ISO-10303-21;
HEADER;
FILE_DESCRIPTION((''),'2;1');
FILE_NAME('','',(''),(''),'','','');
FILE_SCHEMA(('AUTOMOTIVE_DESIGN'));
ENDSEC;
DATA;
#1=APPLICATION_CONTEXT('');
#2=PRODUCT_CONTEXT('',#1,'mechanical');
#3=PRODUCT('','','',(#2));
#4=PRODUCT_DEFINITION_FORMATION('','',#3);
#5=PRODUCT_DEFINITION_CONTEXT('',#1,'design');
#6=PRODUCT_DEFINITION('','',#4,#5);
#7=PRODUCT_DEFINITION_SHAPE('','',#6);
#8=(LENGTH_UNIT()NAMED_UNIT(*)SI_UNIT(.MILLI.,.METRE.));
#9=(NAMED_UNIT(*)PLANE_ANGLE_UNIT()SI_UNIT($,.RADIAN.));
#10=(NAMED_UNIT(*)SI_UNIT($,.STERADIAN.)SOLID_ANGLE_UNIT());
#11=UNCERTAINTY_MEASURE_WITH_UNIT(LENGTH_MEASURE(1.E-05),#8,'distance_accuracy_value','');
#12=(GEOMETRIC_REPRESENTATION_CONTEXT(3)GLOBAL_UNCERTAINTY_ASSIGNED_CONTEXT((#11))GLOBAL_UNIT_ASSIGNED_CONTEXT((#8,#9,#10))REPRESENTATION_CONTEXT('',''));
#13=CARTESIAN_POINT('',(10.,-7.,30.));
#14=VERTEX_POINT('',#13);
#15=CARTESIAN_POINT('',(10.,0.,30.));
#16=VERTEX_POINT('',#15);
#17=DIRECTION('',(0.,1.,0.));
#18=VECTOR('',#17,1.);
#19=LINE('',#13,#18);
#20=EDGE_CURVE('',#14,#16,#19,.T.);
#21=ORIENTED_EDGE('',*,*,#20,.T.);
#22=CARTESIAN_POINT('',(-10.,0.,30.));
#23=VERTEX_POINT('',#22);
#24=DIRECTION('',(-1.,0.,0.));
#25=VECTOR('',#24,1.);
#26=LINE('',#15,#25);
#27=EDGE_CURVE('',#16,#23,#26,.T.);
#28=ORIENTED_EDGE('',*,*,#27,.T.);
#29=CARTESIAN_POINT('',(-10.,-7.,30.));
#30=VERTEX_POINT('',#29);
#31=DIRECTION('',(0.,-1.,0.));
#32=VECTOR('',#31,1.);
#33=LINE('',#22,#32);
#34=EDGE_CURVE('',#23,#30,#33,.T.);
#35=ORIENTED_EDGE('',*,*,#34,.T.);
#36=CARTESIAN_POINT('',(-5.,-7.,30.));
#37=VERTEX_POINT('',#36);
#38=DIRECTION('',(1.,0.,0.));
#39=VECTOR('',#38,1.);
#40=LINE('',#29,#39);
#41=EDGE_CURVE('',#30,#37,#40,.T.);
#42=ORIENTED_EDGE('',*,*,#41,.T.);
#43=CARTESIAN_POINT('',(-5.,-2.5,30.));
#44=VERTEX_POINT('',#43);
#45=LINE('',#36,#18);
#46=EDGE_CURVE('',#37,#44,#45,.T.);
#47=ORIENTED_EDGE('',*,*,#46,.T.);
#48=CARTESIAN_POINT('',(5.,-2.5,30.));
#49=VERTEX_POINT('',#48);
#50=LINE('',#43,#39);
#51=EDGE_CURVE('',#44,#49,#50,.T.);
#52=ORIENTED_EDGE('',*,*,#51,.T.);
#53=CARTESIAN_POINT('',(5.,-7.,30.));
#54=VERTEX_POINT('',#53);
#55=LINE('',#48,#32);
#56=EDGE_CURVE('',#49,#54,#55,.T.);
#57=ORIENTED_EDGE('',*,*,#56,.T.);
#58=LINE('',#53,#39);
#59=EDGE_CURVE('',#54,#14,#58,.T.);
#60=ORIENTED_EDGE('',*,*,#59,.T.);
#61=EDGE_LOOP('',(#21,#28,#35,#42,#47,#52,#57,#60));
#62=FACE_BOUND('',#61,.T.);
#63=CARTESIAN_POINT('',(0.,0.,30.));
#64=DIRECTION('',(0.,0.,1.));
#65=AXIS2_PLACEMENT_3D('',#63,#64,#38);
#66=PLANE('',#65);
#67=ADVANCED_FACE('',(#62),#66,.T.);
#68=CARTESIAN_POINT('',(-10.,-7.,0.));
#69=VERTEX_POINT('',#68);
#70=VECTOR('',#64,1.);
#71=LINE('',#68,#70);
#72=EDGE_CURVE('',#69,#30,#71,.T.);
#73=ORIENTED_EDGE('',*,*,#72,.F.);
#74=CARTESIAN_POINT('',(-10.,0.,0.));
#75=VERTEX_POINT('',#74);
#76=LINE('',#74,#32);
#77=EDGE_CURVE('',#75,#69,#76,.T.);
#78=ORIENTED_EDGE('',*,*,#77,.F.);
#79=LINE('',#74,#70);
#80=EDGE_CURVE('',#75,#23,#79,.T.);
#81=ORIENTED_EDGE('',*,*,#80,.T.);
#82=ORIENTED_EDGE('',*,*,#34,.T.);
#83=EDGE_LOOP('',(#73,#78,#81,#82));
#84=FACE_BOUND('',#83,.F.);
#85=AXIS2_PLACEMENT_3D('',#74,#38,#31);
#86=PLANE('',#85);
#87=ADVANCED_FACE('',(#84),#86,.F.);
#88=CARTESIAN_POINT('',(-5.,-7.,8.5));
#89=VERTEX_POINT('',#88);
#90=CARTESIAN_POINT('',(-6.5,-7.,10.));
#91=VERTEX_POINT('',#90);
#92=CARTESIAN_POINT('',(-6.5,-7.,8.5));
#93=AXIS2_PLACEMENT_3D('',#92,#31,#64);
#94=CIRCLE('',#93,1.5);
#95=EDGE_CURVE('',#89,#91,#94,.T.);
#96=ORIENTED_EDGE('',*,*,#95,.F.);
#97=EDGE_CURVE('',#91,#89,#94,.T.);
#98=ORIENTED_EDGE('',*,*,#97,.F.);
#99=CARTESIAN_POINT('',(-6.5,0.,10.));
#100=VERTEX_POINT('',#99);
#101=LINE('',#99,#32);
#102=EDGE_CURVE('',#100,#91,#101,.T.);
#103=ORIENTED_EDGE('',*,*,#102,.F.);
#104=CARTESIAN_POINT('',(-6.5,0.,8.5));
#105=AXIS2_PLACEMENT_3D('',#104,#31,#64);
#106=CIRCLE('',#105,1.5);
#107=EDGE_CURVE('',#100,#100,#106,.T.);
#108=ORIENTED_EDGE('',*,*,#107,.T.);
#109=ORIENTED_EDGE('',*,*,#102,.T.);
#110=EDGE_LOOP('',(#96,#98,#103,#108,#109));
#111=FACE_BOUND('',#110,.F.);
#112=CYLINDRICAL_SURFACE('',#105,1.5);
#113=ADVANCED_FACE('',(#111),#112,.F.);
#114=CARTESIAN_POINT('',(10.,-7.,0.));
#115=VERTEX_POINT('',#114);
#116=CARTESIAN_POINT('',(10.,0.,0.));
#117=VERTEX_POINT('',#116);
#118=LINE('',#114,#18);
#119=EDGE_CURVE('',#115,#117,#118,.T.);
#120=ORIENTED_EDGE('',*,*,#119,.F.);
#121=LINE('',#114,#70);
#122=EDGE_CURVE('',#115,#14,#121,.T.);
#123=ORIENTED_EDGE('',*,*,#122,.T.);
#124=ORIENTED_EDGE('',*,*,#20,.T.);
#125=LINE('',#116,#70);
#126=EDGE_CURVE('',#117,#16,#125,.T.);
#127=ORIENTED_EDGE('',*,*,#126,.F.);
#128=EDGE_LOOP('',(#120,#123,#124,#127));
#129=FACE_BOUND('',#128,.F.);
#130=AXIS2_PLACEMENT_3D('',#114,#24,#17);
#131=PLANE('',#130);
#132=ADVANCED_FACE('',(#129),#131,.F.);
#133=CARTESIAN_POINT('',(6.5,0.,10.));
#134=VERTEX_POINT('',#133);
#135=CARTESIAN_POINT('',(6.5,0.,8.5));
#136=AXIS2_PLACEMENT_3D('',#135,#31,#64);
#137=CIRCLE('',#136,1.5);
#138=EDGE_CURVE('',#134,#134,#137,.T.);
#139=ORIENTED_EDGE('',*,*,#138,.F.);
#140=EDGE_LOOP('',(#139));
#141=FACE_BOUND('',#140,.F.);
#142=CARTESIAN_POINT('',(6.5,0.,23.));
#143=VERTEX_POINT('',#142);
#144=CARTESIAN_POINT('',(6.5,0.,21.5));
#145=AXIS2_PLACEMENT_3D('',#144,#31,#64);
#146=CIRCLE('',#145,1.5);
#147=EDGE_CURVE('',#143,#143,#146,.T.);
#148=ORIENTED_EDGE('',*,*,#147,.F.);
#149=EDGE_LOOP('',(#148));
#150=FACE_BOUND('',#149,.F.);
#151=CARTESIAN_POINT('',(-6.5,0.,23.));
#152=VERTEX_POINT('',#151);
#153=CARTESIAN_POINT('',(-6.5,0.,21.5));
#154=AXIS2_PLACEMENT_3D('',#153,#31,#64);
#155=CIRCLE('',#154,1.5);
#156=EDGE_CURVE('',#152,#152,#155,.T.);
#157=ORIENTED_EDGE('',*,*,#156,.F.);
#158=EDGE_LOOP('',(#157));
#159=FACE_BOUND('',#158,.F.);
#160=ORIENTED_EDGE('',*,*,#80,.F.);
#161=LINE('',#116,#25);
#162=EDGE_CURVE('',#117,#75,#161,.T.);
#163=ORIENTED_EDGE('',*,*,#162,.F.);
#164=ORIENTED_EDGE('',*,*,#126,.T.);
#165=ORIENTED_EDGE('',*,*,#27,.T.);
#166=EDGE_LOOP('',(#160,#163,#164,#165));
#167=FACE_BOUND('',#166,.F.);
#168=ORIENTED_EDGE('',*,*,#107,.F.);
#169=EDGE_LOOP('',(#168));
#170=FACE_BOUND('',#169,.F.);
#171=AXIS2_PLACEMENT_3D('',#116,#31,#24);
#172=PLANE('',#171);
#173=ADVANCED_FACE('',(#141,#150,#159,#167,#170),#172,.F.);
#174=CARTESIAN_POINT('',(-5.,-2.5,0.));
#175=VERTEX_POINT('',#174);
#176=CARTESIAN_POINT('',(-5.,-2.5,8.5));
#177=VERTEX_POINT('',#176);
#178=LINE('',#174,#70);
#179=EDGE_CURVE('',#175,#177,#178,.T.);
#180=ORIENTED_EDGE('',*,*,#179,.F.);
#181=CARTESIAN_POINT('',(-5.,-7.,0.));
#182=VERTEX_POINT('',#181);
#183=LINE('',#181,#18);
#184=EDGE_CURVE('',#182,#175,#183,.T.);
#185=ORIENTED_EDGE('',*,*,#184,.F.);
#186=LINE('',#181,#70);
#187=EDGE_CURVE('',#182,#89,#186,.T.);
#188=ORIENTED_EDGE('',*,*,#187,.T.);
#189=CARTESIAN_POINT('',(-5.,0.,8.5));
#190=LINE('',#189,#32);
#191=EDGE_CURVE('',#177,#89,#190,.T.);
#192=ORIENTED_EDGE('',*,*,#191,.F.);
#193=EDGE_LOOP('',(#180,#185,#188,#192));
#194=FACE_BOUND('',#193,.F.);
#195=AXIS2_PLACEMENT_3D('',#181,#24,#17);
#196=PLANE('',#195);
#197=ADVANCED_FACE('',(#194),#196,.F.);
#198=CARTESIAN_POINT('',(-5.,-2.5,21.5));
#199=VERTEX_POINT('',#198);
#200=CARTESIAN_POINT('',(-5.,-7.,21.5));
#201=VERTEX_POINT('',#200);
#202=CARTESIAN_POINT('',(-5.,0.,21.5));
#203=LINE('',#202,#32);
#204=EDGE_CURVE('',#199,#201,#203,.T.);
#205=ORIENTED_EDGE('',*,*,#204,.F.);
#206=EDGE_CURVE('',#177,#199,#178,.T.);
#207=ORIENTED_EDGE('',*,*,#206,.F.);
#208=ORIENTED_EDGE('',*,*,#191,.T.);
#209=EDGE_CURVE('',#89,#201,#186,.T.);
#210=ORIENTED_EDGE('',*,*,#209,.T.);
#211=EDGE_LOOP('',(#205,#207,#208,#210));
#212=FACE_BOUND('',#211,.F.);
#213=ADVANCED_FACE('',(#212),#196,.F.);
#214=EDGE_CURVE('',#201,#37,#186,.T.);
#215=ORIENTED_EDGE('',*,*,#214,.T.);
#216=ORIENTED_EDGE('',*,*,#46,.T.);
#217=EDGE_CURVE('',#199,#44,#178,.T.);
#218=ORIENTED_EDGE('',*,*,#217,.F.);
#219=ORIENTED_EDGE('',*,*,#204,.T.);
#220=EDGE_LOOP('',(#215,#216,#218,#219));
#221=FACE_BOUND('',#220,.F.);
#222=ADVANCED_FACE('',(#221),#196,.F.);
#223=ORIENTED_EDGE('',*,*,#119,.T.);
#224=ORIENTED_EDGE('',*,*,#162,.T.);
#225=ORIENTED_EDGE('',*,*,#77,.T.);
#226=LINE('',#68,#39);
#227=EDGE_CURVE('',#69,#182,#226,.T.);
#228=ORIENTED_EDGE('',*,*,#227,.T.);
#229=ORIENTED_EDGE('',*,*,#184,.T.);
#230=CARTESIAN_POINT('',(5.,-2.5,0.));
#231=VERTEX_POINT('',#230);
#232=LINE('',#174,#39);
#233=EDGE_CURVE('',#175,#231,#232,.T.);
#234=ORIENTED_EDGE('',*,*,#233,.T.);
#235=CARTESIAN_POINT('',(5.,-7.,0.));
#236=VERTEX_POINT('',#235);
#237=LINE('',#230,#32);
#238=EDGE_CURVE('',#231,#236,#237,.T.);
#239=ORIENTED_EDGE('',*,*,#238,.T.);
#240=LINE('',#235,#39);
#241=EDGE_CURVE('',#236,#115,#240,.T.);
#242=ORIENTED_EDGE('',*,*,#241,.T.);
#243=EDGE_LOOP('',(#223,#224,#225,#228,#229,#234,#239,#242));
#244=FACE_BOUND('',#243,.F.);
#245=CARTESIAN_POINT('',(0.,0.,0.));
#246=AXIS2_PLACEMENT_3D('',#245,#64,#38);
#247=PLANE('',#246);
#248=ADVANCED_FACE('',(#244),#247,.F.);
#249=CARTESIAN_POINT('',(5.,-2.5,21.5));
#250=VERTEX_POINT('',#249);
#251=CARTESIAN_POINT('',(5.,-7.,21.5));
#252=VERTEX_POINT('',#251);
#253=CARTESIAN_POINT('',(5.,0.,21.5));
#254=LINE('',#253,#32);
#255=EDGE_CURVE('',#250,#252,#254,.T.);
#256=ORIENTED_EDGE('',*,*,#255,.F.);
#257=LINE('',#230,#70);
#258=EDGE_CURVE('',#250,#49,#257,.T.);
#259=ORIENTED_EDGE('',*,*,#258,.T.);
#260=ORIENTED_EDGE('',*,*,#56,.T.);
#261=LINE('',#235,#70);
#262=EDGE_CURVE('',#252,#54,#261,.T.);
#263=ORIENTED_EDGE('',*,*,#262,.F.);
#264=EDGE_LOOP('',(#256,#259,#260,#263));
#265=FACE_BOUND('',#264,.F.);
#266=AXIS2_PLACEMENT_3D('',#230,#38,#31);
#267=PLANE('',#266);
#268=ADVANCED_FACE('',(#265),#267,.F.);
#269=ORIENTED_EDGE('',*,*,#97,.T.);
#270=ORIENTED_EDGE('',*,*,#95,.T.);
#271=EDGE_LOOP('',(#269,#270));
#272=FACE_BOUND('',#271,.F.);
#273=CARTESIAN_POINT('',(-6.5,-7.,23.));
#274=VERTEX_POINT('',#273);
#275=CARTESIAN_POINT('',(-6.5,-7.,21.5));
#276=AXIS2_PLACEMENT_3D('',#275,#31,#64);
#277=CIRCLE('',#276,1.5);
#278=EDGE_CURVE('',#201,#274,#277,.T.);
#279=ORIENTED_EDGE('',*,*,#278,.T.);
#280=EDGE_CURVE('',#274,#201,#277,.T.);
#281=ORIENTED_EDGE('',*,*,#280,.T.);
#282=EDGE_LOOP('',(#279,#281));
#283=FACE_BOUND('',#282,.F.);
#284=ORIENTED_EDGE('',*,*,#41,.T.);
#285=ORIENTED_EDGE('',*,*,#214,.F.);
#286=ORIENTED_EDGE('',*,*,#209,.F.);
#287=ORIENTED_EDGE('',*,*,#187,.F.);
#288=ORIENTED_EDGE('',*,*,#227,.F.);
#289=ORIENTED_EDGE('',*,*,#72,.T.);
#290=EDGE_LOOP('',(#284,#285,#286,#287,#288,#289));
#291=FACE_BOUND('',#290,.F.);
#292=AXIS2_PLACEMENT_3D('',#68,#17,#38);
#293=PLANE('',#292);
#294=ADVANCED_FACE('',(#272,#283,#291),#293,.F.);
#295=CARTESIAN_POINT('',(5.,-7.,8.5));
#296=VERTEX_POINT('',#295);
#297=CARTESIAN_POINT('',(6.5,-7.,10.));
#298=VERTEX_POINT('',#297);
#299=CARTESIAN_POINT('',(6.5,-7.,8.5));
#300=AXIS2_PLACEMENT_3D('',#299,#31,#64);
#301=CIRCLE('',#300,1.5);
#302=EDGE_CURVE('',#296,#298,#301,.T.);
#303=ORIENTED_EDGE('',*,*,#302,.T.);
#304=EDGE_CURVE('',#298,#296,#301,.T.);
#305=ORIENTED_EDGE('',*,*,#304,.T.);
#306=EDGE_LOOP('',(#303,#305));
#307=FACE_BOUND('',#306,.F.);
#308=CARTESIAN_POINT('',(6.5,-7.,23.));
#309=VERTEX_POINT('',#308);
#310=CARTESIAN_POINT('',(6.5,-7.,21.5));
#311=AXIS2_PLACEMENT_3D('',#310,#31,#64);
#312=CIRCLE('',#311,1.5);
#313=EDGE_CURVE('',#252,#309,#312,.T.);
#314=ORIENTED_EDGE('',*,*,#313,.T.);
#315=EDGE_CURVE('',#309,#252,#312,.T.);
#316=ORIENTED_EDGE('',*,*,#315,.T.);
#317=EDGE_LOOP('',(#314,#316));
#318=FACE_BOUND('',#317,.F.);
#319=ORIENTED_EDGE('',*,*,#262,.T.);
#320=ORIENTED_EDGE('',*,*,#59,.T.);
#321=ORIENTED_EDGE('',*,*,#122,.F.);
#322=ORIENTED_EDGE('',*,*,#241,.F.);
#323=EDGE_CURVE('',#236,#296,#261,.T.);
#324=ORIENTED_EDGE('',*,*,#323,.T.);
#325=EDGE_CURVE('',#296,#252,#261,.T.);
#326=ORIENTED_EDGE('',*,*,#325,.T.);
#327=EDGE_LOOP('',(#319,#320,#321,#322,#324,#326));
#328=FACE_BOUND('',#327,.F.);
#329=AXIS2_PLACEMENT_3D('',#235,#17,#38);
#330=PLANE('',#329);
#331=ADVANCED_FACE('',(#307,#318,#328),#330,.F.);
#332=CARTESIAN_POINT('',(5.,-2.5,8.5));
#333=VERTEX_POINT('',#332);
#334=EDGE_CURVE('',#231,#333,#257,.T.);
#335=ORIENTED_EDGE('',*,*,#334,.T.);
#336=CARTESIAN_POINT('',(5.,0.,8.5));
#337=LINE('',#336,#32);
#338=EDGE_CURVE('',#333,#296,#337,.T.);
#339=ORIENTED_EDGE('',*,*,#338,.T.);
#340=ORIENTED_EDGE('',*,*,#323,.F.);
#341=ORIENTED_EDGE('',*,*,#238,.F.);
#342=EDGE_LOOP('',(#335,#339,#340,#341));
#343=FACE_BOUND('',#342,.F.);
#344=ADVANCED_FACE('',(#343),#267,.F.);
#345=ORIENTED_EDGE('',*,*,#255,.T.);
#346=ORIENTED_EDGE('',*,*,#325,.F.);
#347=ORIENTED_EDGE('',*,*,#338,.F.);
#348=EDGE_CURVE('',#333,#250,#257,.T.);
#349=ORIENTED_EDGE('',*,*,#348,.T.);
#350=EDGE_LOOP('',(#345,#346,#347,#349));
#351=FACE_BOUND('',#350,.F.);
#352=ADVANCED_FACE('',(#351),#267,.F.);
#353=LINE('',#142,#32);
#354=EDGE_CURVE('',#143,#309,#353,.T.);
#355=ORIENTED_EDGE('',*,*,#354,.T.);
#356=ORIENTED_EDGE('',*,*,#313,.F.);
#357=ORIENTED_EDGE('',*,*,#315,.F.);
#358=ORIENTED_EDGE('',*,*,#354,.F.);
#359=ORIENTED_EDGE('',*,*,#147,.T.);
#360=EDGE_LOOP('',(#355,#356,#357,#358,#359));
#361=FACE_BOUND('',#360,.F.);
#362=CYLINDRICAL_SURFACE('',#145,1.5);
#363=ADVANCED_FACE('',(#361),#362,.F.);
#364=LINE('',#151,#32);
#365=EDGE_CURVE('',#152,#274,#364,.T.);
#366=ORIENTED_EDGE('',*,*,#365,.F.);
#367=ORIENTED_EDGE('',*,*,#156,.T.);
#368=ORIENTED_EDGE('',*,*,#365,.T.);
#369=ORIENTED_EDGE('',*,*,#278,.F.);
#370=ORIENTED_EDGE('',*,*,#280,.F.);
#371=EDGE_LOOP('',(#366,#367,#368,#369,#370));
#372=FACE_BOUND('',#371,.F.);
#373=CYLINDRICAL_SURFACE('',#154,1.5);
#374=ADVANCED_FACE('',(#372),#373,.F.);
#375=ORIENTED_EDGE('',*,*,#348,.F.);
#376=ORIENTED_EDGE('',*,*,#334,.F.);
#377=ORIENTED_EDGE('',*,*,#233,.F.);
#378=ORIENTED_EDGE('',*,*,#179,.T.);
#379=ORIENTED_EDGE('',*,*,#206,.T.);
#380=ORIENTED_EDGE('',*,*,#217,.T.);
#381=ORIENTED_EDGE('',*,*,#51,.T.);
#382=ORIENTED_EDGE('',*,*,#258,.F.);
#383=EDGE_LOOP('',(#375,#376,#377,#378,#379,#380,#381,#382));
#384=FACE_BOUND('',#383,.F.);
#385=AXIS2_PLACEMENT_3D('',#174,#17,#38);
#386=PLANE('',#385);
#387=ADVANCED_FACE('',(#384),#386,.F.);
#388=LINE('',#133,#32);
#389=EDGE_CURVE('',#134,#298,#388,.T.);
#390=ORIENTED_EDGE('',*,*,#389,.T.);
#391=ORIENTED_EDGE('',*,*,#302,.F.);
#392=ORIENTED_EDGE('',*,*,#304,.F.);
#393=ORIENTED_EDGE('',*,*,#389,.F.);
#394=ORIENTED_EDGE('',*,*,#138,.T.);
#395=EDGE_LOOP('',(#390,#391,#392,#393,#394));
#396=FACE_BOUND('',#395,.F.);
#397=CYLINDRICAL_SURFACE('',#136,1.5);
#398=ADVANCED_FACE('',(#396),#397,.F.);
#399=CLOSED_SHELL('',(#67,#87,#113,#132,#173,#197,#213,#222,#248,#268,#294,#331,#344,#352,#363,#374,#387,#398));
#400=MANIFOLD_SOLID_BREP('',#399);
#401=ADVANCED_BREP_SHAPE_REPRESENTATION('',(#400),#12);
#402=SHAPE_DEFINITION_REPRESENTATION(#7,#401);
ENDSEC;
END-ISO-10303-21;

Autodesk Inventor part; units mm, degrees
ref_plane "YZ Plane" through (0, 0, 0) normal (1, 0, 0) x (0, 1, 0)
ref_plane "XZ Plane" through (0, 0, 0) normal (0, 1, 0) x (-1, 0, 0)
ref_plane "XY Plane" through (0, 0, 0) normal (0, 0, 1) x (1, 0, 0)
sketch "スケッチ1" plane through (0, 0, 0) normal (0, 0, 1) x (1, 0, 0)
  line L0 (-10, -7) -> (-5, -7)
  line L1 (10, -7) -> (10, 0)
  line L2 (10, 0) -> (-10, 0)
  line L3 (-10, 0) -> (-10, -7)
  line L4 (-10, -7) -> (10, 0) construction
  line L5 (10, -7) -> (-10, 0) construction
  line L6 (-5, -2.5) -> (5, -2.5)
  line L7 (5, -2.5) -> (5, -7)
  line L8 (-5, -7) -> (-5, -2.5)
  line L9 (-5, -2.5) -> (5, -7) construction
  line L10 (5, -2.5) -> (-5, -7) construction
  line L11 (5, -7) -> (10, -7)
  point P0 (0, 0)
  point P1 (0, -3.5)
  point P2 (0, -4.75)
  dimension "d0" = 20
  dimension "d1" = 7
  dimension "d2" = 10
  dimension "d3" = 4.5
extrude "押し出し1" add sketch "スケッチ1" along normal blind 30
sketch "スケッチ2" plane through (-10, 0, 0) normal (0, 1, 0) x (1, 0, 0)
  line L0 (0, 0) -> (0, -30) projected
  line L1 (20, 0) -> (0, 0) projected
  line L2 (20, -30) -> (0, -30) projected
  line L3 (20, 0) -> (20, -30) projected
  point P0 (10, 0)
  point P1 (3.5, -8.5)
  point P2 (3.5, -21.5)
  point P3 (16.5, -21.5)
  point P4 (16.5, -8.5)
  dimension "d6" = 3.5
  dimension "d7" = 3.5
  dimension "d8" = 8.5
  dimension "d9" = 8.5
  dimension "d10" = 3.5
  dimension "d11" = 3.5
  dimension "d12" = 8.5
  dimension "d13" = 8.5
hole "穴1" at (-6.5, 0, 8.5) at (-6.5, 0, 21.5) at (6.5, 0, 21.5) at (6.5, 0, 8.5) direction (0, -1, 0) diameter 3 end through all
equation "\"d7\" = d6"
equation "\"d9\" = d8"
equation "\"d10\" = d6"
equation "\"d11\" = d6"
equation "\"d12\" = d8"
equation "\"d13\" = d8"
properties part number "slider_b7p5x20_30_sa" material "アルミニウム 6061-AHC"
